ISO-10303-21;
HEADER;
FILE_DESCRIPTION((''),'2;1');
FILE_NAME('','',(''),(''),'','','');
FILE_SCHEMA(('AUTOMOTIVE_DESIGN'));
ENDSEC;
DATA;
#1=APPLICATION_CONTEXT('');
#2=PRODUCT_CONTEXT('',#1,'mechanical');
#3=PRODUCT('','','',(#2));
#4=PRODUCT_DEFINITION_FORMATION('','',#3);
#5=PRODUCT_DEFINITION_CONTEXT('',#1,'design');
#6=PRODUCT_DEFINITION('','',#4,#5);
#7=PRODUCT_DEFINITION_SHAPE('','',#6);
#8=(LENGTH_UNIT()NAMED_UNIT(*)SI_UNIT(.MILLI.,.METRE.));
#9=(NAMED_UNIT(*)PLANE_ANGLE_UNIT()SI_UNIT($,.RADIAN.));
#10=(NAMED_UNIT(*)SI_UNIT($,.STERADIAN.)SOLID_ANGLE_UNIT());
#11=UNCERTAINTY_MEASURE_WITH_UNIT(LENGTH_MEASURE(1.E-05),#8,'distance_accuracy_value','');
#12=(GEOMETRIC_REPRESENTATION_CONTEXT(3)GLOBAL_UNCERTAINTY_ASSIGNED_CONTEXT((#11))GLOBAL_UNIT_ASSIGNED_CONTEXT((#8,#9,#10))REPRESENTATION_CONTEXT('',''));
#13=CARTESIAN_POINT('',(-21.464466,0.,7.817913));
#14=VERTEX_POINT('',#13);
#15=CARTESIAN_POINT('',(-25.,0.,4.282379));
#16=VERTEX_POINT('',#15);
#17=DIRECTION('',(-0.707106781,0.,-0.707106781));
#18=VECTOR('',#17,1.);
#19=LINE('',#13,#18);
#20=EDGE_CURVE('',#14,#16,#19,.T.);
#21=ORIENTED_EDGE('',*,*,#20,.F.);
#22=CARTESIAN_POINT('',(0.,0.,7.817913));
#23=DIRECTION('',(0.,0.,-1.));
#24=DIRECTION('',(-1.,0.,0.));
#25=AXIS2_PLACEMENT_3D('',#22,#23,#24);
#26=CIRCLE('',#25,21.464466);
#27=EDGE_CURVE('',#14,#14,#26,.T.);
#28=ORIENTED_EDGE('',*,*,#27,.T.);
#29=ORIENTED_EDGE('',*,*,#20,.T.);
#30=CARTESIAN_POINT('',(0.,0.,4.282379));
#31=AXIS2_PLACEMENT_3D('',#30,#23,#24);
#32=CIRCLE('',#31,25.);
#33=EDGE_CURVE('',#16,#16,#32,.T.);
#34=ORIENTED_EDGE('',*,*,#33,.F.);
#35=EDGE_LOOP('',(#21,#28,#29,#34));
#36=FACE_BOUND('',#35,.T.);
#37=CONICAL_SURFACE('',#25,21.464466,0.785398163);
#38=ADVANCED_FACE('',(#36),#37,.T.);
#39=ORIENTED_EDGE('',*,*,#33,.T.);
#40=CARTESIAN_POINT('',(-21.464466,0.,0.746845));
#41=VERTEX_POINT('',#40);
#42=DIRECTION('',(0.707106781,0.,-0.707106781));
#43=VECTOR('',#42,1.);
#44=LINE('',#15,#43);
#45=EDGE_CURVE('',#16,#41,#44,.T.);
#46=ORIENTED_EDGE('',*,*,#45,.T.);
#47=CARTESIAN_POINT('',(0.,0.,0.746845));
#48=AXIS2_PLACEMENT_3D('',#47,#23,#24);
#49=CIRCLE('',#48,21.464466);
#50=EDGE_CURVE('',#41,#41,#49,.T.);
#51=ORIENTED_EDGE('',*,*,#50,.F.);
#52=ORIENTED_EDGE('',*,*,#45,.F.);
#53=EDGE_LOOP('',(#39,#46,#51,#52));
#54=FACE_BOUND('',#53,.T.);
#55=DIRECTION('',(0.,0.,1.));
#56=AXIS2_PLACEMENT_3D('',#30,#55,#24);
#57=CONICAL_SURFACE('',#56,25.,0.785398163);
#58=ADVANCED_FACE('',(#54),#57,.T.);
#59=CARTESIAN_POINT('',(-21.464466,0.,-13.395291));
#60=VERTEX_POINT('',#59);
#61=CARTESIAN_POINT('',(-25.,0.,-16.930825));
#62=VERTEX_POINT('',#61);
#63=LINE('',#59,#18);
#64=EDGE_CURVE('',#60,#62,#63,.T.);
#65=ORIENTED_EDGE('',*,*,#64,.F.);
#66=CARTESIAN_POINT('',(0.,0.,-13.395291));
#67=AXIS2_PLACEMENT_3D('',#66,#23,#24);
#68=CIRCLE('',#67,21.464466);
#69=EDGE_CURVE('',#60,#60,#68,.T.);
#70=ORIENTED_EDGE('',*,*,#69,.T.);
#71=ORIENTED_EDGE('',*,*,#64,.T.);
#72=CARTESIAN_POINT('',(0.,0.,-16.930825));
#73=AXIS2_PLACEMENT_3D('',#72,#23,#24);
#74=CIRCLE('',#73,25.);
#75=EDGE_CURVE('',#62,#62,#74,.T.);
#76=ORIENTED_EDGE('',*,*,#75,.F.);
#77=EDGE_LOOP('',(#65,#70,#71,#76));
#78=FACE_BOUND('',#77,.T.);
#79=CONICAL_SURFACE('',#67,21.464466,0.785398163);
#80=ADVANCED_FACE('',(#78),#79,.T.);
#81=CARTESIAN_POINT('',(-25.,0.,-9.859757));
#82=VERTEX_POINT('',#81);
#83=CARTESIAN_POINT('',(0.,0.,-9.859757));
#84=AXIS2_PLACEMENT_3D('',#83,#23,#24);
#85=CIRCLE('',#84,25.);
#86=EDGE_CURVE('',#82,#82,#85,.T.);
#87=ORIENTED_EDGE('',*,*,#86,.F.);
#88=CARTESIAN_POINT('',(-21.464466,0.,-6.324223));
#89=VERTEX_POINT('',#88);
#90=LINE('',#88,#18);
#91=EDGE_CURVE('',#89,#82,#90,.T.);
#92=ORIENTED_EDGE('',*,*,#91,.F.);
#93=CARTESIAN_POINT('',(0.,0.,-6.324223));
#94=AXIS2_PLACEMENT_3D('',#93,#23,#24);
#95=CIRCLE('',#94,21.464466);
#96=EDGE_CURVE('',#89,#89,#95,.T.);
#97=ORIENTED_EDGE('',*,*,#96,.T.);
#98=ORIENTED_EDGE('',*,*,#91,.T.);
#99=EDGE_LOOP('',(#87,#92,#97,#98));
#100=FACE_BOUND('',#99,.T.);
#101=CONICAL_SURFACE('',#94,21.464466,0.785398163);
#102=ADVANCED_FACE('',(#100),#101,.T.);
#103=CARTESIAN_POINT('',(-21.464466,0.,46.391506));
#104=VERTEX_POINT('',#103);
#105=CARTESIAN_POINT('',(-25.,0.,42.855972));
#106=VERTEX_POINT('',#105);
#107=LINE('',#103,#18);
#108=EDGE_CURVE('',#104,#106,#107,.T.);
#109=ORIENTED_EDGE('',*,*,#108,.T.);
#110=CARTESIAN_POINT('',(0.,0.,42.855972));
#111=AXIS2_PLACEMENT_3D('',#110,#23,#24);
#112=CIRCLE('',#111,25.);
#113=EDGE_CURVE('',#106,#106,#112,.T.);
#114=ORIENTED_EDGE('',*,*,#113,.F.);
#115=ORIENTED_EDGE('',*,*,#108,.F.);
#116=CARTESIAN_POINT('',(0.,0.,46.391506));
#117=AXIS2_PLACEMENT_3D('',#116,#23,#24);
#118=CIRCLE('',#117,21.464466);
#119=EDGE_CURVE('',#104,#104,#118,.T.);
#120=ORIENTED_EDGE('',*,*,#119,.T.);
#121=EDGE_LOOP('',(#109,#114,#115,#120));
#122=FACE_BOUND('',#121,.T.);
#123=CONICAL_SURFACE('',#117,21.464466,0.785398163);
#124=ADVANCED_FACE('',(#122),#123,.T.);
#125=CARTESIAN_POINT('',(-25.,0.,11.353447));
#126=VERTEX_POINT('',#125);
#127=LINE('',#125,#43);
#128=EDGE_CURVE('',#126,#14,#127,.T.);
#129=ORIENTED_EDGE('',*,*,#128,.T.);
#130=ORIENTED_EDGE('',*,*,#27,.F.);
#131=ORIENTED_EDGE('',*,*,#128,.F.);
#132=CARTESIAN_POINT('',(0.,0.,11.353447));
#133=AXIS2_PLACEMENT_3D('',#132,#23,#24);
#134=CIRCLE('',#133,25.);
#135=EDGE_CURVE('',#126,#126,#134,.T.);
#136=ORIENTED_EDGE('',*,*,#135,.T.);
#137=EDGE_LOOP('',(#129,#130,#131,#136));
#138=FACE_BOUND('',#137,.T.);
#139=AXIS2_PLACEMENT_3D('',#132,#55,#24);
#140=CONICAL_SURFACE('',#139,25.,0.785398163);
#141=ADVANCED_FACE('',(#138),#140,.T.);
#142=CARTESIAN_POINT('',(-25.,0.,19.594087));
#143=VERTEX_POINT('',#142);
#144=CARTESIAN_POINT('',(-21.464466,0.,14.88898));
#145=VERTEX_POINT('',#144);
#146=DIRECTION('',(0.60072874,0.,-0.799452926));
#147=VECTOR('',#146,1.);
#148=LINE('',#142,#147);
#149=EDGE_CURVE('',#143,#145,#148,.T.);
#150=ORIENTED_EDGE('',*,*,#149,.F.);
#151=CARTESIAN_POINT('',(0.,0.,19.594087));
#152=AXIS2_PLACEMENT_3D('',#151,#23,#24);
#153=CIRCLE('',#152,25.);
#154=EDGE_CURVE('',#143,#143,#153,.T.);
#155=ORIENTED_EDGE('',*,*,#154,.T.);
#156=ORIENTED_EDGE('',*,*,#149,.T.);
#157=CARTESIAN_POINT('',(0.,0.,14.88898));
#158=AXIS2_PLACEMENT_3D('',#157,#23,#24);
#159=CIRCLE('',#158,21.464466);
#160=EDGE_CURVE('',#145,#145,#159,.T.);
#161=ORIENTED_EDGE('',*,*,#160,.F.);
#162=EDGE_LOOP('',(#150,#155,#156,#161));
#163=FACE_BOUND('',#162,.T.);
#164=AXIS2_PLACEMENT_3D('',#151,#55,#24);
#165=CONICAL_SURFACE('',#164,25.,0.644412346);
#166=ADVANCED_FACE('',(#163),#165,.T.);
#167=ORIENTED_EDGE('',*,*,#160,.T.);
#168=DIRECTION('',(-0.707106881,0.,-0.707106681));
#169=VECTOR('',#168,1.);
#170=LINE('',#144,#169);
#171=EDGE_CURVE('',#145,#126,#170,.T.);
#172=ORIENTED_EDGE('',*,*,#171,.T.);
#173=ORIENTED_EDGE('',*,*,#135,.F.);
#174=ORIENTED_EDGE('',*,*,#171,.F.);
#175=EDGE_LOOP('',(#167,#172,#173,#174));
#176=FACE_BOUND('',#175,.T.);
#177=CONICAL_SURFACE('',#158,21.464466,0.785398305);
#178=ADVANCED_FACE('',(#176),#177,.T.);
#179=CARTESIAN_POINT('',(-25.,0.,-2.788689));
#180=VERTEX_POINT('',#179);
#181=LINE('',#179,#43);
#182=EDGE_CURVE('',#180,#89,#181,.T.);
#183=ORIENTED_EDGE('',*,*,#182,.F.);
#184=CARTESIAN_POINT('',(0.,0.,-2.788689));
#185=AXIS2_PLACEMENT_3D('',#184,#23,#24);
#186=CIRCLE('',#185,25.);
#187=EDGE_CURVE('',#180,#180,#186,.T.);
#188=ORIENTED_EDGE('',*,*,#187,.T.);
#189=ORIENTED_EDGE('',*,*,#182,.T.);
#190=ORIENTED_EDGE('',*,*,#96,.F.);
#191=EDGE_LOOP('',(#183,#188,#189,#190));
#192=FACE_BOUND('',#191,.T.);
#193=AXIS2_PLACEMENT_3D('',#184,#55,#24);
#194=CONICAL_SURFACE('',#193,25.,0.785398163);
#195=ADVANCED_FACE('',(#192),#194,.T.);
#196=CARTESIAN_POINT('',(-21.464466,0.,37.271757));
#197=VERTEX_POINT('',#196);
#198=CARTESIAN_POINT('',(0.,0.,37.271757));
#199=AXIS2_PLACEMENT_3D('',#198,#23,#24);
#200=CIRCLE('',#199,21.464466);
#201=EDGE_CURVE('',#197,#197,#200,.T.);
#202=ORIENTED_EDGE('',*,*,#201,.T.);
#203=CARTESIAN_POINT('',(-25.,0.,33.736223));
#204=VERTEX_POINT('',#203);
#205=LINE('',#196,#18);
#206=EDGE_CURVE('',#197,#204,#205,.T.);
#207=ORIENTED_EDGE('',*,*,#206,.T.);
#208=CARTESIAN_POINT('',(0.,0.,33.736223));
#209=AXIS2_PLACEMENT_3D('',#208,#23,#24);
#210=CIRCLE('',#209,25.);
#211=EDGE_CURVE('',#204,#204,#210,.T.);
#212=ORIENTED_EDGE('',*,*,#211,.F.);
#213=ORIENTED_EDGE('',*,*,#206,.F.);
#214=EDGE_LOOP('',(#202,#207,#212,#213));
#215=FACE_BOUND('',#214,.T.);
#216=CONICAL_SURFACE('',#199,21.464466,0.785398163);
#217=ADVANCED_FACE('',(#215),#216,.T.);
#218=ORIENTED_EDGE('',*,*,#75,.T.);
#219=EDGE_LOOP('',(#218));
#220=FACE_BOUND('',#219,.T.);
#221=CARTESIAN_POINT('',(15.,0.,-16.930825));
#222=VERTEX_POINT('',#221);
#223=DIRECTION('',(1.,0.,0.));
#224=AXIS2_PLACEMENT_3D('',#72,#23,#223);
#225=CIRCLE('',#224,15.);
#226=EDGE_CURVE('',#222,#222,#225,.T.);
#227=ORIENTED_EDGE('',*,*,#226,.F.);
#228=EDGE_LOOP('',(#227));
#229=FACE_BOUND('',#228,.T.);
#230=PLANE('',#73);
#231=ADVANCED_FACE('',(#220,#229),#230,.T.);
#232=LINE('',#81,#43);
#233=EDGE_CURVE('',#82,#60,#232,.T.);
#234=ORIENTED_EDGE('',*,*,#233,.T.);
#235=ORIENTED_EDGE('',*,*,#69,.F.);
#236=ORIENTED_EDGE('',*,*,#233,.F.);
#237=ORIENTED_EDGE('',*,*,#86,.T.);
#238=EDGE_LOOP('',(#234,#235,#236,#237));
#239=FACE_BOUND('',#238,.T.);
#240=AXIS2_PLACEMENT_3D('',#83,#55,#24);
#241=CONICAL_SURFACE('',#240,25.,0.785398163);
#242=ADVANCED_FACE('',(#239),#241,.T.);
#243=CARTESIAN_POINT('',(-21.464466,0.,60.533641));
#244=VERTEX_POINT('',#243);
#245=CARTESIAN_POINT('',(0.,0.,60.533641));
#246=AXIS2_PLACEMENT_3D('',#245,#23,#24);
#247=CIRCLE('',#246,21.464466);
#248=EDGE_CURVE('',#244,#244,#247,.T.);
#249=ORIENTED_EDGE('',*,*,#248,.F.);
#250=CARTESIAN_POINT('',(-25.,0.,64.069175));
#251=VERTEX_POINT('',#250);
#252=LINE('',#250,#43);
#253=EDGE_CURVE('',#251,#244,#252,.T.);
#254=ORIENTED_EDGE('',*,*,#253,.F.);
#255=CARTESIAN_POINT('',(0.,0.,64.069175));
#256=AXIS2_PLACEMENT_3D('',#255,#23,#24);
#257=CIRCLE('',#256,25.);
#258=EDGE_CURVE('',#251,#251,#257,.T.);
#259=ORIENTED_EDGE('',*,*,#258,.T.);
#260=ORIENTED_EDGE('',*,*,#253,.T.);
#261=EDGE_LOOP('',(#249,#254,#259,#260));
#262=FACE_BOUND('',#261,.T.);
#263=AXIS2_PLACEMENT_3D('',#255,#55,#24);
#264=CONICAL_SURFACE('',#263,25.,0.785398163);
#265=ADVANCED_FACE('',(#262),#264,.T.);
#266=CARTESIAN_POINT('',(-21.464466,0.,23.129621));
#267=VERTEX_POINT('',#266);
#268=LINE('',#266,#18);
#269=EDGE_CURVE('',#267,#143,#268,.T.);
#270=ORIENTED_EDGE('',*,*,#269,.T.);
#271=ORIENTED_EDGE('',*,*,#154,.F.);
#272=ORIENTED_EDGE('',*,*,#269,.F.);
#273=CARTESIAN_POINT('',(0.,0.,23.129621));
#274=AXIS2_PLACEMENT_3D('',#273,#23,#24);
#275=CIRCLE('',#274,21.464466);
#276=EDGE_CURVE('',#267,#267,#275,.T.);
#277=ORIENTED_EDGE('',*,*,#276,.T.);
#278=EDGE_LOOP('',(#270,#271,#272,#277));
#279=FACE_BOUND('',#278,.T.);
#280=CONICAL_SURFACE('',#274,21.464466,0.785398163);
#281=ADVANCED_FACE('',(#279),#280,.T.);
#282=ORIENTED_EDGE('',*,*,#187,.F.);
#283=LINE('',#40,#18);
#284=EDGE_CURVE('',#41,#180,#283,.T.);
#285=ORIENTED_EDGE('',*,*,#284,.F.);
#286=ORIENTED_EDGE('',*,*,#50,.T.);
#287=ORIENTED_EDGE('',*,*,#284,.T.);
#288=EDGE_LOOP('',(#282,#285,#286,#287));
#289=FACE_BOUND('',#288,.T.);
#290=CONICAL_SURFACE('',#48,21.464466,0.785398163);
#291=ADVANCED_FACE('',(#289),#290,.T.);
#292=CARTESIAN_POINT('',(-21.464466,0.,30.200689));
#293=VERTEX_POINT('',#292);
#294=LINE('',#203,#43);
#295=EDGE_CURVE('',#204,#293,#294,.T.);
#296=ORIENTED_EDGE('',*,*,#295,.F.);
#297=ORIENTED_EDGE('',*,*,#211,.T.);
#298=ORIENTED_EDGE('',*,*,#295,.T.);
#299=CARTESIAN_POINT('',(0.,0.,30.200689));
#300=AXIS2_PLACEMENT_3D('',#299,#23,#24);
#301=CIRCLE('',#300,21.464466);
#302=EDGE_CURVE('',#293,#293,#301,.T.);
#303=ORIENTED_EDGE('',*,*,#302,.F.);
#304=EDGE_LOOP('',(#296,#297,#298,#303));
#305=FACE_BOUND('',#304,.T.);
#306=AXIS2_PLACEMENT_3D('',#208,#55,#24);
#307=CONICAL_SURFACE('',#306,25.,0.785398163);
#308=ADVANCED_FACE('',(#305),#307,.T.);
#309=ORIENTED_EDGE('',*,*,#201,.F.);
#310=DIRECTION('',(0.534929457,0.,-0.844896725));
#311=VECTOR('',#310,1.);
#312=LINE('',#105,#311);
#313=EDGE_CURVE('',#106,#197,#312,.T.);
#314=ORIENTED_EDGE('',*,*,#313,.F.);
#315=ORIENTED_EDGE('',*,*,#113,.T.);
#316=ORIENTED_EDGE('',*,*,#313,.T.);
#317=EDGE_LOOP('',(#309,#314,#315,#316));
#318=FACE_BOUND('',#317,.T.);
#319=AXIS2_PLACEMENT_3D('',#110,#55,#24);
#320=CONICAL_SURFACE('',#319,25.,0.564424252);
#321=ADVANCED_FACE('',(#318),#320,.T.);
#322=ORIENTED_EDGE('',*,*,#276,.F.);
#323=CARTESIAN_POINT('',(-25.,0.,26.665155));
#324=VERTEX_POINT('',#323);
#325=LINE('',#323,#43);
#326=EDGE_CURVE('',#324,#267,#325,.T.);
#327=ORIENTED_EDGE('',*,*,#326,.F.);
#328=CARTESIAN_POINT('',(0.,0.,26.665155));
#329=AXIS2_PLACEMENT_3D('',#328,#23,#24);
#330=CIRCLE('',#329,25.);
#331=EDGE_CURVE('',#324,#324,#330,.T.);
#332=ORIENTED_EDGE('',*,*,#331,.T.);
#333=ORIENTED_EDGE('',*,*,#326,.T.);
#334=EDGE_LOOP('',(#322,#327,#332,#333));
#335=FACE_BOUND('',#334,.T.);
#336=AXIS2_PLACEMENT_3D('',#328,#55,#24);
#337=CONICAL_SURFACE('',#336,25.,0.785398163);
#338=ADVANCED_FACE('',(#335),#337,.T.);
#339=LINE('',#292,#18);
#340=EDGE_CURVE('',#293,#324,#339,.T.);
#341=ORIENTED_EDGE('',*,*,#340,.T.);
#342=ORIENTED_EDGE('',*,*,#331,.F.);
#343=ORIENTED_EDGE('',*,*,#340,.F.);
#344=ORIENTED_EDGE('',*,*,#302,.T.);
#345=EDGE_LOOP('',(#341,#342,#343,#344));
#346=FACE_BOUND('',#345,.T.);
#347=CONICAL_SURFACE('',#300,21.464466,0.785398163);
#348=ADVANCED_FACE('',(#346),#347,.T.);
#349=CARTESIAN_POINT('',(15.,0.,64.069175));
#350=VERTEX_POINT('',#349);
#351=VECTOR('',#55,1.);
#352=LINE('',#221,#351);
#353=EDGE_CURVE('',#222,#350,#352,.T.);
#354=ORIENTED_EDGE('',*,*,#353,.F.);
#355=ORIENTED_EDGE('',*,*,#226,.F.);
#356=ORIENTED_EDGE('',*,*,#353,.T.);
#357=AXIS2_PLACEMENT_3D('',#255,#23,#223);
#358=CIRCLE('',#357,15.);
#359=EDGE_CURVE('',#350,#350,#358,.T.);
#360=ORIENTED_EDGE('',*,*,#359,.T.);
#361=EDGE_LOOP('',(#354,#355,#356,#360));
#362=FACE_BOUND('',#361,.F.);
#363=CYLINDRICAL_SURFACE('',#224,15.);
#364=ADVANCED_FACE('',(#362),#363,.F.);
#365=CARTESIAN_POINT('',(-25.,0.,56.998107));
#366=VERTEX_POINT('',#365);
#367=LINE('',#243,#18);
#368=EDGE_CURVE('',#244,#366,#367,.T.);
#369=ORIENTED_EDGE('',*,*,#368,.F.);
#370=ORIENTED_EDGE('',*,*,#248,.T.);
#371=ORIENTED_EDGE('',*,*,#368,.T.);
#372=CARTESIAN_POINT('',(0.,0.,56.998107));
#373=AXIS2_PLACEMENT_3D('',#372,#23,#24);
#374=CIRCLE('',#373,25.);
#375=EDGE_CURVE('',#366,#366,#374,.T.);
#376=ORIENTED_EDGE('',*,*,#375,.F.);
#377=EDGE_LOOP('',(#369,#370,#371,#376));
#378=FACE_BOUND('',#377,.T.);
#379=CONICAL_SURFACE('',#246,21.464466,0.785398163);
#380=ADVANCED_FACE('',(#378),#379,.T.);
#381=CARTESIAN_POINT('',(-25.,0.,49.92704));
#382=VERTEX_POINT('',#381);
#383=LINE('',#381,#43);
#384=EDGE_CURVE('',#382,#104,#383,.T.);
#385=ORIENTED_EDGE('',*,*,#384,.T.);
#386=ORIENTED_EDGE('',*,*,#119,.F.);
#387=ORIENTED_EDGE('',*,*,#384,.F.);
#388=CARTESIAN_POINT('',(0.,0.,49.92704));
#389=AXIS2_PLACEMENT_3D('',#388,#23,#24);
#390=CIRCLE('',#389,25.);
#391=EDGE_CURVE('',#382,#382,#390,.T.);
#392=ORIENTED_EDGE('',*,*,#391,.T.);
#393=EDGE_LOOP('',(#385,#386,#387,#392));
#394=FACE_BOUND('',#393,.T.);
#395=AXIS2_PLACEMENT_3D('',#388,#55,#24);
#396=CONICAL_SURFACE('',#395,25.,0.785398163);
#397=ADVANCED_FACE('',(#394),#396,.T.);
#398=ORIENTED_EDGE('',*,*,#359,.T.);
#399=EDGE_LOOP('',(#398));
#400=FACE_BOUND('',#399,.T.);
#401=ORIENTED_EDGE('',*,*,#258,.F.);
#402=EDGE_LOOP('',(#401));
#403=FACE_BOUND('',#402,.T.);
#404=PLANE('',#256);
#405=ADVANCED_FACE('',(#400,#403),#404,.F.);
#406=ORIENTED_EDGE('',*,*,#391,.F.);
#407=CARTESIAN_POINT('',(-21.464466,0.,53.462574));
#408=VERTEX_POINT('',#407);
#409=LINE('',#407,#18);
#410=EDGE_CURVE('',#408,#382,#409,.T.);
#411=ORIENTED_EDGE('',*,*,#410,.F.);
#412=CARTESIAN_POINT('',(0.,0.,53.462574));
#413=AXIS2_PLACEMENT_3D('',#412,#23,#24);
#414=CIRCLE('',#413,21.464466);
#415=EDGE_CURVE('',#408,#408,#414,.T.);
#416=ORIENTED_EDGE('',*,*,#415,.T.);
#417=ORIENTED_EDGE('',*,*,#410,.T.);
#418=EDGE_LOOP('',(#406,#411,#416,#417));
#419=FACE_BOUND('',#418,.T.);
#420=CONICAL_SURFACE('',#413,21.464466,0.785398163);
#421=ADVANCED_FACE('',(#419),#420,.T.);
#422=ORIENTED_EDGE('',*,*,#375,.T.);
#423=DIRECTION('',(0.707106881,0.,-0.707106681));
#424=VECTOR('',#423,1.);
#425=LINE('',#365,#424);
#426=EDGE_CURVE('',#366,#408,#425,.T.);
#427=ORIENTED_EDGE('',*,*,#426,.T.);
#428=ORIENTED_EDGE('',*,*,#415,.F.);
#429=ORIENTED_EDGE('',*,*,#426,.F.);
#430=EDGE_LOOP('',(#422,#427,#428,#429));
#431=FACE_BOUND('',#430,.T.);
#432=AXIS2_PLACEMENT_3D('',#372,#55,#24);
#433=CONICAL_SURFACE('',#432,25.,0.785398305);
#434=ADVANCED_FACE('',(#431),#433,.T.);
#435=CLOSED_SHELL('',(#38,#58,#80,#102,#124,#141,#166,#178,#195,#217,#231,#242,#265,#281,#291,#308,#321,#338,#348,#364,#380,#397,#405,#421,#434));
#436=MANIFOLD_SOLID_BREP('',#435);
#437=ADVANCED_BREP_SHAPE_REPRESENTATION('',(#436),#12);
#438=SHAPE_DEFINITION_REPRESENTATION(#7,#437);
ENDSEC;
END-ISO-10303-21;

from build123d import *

# Parameters (mm, degrees)
F2_R     = 15
F3_DEPTH = 81.001


with BuildPart() as f1:
    # F0 (on Front) → F1 (revolve)
    with BuildSketch(Plane.XZ):
        Polygon((0, -16.930825), (0, 64.069175), (-25, 64.069175), (-21.464466, 60.533641), (-25, 56.998107), (-21.464466, 53.462574), (-25, 49.92704), (-21.464466, 46.391506), (-25, 42.855972), (-21.464466, 37.271757), (-25, 33.736223), (-21.464466, 30.200689), (-25, 26.665155), (-21.464466, 23.129621), (-25, 19.594087), (-21.464466, 14.88898), (-25, 11.353447), (-21.464466, 7.817913), (-25, 4.282379), (-21.464466, 0.746845), (-25, -2.788689), (-21.464466, -6.324223), (-25, -9.859757), (-21.464466, -13.395291), (-25, -16.930825), align=None)
    revolve(axis=Axis((0, 0, 23.569175), (0, 0, -1)))

    # F2 (on face) → F3 (cut, through all)
    with BuildSketch(Plane(origin=(0, 0, -16.930825), x_dir=(1, 0, 0), z_dir=(0, 0, -1))):
        Circle(F2_R)
    extrude(amount=-F3_DEPTH, mode=Mode.SUBTRACT)


solid = f1.part
